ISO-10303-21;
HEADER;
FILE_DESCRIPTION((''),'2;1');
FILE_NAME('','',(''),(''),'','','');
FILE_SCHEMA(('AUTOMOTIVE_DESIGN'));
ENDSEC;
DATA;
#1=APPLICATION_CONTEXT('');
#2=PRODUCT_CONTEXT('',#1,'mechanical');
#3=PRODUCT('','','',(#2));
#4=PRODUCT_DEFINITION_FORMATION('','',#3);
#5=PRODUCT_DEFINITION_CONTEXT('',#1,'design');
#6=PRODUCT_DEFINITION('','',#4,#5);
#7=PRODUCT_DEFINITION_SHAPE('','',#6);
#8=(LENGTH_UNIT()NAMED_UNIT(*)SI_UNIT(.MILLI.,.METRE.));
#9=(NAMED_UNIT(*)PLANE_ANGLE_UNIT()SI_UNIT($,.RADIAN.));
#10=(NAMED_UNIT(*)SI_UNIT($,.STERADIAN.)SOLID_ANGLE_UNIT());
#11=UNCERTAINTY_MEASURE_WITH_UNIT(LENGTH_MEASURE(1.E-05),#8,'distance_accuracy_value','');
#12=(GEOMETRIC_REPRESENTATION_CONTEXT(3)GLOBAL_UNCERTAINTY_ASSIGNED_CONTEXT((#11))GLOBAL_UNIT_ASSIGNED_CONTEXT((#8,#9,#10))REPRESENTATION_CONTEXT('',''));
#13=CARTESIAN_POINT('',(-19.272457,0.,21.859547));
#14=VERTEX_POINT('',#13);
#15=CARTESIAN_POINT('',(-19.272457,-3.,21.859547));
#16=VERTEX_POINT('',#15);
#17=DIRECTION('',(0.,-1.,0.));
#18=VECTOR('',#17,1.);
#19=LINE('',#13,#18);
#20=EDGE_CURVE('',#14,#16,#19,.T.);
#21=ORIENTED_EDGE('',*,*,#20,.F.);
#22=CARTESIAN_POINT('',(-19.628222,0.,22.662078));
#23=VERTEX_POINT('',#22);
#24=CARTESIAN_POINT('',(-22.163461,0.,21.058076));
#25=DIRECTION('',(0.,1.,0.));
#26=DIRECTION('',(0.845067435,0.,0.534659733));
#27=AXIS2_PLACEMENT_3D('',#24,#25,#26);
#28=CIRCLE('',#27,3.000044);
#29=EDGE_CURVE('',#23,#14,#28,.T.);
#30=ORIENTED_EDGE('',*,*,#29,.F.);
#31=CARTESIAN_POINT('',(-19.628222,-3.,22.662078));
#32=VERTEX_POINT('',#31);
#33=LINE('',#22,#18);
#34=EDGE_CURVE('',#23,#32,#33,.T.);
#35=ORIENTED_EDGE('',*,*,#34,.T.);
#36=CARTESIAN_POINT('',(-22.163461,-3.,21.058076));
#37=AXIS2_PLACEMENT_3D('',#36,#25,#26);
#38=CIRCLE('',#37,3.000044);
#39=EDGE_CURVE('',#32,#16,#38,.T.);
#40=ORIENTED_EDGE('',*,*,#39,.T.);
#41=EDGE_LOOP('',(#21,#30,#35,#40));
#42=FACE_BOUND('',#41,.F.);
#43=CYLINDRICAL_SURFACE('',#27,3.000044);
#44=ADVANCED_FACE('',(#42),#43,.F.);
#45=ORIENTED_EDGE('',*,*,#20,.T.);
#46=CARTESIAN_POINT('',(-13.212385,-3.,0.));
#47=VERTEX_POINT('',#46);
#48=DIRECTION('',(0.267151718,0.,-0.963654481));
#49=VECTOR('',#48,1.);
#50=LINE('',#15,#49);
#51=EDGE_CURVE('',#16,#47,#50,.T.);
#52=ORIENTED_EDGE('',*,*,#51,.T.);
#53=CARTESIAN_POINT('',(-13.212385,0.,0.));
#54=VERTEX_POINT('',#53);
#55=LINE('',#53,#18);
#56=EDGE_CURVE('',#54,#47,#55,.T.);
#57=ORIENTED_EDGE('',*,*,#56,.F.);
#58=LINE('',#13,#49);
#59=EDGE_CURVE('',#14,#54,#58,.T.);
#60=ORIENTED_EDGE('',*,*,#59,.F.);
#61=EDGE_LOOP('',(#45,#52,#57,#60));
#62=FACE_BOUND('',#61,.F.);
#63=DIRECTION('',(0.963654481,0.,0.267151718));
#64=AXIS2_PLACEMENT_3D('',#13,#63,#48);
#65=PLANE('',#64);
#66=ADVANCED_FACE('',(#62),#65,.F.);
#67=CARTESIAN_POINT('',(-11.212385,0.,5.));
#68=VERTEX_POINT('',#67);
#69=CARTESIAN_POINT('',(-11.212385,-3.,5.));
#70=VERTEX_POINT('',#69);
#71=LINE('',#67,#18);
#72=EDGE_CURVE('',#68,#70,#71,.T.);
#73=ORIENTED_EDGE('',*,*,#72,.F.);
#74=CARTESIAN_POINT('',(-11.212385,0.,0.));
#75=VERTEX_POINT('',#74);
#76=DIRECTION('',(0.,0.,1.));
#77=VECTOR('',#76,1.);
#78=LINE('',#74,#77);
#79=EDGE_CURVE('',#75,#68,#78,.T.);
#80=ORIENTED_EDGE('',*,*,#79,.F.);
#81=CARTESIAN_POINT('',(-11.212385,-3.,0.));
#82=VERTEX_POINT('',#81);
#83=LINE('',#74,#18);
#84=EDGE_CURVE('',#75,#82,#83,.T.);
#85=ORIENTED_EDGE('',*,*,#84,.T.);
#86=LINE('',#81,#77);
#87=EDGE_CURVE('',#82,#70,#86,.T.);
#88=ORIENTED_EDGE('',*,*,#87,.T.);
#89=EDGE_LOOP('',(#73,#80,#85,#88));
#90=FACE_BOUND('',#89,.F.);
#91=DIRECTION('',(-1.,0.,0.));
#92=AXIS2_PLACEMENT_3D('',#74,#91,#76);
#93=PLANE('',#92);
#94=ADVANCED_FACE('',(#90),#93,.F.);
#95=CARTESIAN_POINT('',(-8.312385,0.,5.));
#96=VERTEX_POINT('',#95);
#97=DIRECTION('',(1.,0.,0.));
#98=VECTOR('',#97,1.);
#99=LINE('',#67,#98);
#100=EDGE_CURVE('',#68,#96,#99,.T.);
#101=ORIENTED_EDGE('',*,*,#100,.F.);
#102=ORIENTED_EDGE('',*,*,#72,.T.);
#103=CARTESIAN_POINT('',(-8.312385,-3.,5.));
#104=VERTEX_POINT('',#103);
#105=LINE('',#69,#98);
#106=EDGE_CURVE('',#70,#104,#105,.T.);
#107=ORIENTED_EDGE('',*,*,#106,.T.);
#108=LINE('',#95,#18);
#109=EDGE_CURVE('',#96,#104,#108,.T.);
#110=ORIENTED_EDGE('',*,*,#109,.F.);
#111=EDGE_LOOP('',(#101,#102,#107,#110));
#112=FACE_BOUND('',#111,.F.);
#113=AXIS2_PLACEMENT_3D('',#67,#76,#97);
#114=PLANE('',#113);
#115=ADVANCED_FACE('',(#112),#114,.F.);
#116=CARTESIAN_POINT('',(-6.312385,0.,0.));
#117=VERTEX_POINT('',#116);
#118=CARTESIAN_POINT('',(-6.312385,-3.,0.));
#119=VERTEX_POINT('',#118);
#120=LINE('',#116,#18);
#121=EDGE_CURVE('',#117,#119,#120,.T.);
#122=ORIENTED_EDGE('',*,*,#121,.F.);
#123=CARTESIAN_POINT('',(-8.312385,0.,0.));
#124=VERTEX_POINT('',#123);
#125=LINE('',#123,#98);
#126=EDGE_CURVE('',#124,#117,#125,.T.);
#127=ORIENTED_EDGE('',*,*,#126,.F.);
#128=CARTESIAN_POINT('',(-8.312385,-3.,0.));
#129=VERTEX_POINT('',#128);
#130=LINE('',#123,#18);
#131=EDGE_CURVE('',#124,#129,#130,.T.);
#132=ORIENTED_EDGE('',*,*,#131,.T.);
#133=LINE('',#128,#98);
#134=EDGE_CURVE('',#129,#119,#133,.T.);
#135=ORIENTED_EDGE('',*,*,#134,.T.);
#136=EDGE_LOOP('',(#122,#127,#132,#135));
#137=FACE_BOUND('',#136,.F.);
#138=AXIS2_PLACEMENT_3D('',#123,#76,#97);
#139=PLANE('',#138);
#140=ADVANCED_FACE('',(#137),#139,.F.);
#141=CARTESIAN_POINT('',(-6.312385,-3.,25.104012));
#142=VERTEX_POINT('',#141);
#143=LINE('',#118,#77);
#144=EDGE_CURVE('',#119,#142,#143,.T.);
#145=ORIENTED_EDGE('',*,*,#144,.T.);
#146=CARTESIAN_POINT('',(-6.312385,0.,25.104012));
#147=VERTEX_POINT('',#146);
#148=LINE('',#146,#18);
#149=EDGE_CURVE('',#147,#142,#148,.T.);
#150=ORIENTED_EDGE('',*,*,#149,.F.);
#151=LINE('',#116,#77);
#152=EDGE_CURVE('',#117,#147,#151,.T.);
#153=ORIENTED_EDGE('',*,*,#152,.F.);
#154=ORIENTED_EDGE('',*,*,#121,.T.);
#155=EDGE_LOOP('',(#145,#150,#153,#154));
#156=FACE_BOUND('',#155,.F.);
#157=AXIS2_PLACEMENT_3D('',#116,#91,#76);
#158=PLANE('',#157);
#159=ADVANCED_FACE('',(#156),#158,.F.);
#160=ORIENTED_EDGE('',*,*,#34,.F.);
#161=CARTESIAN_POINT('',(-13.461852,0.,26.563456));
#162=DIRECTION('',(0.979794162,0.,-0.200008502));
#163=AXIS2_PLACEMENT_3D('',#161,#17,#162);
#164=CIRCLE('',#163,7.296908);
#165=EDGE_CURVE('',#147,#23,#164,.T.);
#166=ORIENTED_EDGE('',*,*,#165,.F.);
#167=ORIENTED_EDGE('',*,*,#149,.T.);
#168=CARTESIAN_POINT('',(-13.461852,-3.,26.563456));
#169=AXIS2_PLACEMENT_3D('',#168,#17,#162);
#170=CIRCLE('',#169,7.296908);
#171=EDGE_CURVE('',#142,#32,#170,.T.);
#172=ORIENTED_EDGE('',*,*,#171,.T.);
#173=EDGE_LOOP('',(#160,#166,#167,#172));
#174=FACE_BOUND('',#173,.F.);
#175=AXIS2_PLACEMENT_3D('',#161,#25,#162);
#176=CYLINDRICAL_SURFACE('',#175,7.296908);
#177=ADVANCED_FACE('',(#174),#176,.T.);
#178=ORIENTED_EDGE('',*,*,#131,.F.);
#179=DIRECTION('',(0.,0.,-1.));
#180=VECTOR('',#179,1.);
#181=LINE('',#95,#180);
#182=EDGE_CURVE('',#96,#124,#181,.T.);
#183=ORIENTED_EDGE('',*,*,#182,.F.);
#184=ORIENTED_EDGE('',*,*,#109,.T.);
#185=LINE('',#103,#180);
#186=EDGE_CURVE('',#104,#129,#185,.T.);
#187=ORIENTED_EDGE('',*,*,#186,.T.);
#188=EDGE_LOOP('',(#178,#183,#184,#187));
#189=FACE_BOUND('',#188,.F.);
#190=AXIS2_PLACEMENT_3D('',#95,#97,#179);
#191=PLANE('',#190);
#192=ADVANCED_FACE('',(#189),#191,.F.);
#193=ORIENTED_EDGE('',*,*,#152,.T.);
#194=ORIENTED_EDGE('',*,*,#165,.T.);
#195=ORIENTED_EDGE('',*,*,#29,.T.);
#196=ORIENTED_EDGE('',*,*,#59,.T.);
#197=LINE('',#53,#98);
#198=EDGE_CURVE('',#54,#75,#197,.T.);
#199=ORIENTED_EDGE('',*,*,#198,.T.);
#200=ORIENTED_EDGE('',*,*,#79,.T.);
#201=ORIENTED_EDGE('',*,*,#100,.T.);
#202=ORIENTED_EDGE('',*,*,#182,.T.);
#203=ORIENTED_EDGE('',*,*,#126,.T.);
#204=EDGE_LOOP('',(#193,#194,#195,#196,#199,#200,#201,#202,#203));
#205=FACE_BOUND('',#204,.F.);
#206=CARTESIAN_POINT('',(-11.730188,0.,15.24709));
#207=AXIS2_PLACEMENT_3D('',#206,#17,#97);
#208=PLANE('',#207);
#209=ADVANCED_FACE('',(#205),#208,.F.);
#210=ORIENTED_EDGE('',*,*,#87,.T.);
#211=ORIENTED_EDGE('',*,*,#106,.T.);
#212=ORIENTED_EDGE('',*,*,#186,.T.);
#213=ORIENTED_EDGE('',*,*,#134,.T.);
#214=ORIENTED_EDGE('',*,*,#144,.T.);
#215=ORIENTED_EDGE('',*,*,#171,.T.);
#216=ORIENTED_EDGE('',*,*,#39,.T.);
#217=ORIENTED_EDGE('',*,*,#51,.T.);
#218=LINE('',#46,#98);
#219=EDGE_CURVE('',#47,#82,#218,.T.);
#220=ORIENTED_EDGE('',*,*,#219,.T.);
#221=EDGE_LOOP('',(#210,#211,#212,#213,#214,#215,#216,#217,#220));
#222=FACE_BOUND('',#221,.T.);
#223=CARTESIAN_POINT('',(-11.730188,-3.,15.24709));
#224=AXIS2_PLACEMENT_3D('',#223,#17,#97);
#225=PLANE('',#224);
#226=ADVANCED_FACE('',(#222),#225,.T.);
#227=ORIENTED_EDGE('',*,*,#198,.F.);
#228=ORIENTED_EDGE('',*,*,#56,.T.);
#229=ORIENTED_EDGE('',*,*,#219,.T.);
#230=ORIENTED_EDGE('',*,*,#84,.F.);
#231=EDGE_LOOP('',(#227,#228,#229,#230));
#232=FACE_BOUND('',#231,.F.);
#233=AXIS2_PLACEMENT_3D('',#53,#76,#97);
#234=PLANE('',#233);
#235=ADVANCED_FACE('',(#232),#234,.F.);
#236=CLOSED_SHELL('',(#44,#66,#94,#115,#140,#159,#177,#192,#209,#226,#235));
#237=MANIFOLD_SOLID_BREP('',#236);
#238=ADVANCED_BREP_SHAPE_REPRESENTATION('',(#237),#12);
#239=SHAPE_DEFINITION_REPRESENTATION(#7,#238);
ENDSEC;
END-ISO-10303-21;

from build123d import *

# Parameters (mm, degrees)
F2_DEPTH = 3


with BuildPart() as f2:
    # F0 (on Front) → F2 (new body)
    with BuildSketch(Plane.XZ):
        with BuildLine():
            ThreePointArc((-19.628222, 22.662078), (-19.420827, 22.273896), (-19.272457, 21.859547))
            Line((-19.272457, 21.859547), (-13.212385, 0))
            Line((-13.212385, 0), (-11.212385, 0))
            Line((-11.212385, 0), (-11.212385, 5))
            Line((-11.212385, 5), (-8.312385, 5))
            Line((-8.312385, 5), (-8.312385, 0))
            Line((-8.312385, 0), (-6.312385, 0))
            Line((-6.312385, 0), (-6.312385, 25.104012))
            ThreePointArc((-6.312385, 25.104012), (-14.778052, 33.740675), (-19.628222, 22.662078))
        make_face()
    extrude(amount=F2_DEPTH)


solid = f2.part
